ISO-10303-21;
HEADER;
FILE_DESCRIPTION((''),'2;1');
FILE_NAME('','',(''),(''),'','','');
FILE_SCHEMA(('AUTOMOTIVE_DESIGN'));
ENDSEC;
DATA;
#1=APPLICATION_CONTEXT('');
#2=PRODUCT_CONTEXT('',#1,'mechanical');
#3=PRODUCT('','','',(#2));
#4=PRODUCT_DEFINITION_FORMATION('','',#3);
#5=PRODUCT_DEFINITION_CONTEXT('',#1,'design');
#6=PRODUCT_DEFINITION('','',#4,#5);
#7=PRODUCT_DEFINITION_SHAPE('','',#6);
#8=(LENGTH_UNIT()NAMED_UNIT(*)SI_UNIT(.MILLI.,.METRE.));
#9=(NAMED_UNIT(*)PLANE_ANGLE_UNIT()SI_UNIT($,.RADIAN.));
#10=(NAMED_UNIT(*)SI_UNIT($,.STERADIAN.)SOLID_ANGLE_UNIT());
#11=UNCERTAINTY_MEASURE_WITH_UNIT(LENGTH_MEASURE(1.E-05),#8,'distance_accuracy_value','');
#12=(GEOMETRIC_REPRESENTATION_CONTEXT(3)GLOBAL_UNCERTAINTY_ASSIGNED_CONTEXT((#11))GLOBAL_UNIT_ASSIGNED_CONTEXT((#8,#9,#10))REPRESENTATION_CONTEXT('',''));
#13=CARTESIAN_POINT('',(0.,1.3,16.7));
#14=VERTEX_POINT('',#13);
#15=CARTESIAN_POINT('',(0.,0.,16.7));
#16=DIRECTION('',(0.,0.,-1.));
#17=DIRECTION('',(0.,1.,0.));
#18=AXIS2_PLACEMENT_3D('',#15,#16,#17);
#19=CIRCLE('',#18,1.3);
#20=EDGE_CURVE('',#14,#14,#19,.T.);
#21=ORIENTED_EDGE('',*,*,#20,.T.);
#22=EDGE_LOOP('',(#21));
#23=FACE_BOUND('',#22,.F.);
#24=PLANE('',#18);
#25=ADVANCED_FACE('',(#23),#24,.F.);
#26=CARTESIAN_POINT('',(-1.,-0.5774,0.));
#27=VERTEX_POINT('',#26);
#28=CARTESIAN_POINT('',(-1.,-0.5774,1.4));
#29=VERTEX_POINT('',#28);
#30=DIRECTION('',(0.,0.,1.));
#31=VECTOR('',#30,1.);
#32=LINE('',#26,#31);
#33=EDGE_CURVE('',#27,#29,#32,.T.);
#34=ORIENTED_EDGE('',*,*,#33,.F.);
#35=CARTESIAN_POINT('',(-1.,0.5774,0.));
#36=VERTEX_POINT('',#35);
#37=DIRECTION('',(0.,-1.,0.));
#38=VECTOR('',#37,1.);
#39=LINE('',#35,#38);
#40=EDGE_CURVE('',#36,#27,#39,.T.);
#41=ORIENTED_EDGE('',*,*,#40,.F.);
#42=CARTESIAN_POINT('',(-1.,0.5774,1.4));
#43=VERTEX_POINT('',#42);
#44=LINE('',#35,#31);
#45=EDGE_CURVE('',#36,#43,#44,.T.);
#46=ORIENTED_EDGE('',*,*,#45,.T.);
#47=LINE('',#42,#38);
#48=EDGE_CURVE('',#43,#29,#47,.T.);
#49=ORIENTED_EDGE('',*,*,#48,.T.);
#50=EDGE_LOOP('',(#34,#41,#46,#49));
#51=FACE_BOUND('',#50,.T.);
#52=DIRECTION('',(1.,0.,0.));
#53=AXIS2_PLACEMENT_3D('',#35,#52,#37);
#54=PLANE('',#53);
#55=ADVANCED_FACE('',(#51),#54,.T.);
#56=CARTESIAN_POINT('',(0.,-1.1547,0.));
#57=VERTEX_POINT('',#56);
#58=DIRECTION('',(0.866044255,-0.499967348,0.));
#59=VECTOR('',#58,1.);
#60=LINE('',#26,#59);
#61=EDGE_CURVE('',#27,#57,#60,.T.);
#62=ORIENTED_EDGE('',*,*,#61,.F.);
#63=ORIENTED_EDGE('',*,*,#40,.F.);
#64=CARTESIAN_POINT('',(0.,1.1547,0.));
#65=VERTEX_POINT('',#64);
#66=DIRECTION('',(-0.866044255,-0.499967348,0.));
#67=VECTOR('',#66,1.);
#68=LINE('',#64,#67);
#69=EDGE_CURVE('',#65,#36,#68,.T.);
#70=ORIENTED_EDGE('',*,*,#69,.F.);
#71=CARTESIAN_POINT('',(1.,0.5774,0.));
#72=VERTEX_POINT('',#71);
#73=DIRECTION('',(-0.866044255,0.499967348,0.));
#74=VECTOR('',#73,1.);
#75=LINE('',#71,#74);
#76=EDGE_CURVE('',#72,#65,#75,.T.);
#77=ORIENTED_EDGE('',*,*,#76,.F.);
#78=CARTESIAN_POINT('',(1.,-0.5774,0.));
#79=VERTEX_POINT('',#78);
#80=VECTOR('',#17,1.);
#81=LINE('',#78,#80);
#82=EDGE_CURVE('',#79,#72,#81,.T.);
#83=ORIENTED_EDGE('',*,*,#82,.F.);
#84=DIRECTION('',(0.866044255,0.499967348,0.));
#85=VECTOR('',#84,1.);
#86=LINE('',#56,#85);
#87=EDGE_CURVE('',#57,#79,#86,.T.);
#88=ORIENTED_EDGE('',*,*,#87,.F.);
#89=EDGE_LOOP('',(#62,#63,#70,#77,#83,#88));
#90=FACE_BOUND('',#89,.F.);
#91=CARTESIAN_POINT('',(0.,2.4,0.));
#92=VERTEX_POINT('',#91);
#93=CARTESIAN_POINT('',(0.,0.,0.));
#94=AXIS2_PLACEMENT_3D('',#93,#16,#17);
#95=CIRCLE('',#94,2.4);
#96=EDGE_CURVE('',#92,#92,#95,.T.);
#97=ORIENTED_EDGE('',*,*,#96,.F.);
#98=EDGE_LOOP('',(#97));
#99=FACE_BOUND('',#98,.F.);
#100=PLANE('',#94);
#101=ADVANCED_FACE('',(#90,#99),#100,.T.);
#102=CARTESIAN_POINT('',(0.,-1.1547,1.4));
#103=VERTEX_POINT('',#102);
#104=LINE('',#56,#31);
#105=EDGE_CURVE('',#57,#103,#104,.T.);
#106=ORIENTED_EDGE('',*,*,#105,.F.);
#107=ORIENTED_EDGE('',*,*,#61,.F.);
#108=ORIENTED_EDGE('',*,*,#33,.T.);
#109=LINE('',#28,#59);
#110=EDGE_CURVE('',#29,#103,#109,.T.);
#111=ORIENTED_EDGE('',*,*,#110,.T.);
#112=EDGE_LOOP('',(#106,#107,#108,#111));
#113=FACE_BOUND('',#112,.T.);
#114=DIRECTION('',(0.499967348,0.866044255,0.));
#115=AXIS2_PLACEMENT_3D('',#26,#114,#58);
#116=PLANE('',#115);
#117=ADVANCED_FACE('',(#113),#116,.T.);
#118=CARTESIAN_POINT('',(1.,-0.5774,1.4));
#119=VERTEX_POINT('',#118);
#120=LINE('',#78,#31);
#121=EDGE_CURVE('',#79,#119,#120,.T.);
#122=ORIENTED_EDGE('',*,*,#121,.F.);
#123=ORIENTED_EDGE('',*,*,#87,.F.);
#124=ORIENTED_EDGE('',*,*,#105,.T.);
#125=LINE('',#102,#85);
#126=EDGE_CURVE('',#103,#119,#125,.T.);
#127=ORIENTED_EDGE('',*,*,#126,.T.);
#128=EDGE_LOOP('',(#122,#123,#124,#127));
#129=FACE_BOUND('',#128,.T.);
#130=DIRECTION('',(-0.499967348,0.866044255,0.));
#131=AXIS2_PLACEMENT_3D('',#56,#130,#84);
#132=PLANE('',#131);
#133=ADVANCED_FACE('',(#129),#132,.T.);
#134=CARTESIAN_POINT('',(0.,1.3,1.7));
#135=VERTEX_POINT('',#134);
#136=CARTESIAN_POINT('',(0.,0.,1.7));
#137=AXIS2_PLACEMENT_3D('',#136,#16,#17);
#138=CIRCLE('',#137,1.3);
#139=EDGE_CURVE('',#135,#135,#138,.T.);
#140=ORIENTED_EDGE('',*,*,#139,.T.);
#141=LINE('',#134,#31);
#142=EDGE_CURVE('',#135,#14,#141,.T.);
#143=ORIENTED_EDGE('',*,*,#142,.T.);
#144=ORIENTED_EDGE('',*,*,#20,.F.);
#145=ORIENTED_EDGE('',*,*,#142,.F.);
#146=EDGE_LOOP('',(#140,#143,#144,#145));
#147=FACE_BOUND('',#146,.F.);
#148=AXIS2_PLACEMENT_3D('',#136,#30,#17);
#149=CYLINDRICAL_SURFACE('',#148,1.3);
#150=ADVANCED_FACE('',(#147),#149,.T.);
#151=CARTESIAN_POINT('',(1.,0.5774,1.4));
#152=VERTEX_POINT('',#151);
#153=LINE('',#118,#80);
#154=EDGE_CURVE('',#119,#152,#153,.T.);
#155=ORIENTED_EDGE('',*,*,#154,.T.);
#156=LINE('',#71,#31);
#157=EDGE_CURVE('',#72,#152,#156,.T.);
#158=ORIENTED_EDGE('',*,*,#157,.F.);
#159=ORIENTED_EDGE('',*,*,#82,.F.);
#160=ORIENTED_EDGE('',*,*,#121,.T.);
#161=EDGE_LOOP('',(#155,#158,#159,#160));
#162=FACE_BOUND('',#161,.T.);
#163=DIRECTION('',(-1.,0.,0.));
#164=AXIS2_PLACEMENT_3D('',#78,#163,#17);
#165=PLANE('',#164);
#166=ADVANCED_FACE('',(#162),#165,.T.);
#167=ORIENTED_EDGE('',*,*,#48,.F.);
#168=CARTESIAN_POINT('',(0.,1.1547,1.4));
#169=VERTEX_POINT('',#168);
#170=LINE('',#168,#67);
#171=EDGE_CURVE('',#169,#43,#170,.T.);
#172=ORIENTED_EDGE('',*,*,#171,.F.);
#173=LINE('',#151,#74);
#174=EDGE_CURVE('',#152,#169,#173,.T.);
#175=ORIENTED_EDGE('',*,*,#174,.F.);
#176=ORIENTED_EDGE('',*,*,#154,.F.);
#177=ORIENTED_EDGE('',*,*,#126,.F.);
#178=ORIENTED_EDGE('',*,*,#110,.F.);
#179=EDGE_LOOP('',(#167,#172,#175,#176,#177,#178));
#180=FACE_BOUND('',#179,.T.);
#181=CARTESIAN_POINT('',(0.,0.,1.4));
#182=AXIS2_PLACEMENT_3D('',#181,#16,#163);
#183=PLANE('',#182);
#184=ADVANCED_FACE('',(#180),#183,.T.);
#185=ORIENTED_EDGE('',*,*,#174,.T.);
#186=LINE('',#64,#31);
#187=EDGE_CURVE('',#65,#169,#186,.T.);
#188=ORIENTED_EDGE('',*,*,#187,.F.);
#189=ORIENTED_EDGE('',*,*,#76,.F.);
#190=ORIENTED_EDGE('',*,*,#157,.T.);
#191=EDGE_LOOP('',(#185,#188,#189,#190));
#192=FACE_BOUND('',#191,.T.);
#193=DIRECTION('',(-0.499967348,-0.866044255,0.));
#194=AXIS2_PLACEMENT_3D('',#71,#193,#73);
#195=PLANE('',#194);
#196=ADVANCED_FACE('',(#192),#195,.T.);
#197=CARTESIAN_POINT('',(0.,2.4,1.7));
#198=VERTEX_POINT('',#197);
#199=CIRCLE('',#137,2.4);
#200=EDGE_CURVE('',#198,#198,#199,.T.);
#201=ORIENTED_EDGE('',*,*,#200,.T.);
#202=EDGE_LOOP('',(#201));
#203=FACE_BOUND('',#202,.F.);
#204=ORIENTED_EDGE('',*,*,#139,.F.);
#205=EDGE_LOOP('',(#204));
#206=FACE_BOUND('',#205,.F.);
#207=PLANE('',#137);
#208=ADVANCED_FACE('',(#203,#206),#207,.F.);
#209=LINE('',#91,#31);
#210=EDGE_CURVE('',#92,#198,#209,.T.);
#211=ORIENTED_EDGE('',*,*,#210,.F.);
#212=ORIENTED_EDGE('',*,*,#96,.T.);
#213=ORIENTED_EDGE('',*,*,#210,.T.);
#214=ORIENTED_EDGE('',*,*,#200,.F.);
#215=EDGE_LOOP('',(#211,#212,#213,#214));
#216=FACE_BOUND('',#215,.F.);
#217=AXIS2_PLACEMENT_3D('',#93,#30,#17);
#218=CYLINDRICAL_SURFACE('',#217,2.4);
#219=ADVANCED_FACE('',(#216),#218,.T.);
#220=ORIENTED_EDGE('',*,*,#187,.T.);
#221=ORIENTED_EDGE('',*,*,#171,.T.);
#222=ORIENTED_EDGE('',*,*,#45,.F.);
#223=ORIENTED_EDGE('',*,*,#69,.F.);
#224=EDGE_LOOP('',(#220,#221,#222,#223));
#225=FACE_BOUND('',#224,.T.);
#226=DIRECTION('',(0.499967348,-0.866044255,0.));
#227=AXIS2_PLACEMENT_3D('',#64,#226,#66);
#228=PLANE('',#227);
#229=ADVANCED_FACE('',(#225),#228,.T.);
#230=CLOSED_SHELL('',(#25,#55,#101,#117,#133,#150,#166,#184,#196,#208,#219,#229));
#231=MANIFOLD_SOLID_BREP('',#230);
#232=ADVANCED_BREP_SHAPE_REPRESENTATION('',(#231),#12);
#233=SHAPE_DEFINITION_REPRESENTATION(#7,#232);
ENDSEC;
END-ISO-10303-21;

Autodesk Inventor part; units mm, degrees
ref_plane "YZ Plane" through (0, 0, 0) normal (1, 0, 0) x (0, 1, 0)
ref_plane "XZ Plane" through (0, 0, 0) normal (0, 1, 0) x (-1, 0, 0)
ref_plane "XY Plane" through (0, 0, 0) normal (0, 0, 1) x (1, 0, 0)
sketch "スケッチ1" plane through (0, 0, 0) normal (1, 0, 0) x (0, 1, 0)
  line L0 (0, 16.7) -> (0, 0)
  line L1 (0, 0) -> (2.4, 0)
  line L2 (2.4, 0) -> (2.4, 1.7)
  line L3 (2.4, 1.7) -> (1.3, 1.7)
  line L4 (1.3, 1.7) -> (1.3, 16.7)
  line L5 (1.3, 16.7) -> (0, 16.7)
  dimension "d2" = 1.7
  dimension "d10" = 15
  dimension "d11" = 2.6
  dimension "d12" = 4.8
revolve "回転1" add sketch "スケッチ1" angle 360 about axis through (0, 0, 16.7) along (0, 0, -1)
thread "ねじ1" size "M2.6x0.45" class "6g" standard "ANSI Metric M Profile" full length
sketch "スケッチ2" plane through (0, 0, 0) normal (0, 0, -1) x (-1, 0, 0)
  line L0 (0, 1.1547) -> (1, 0.5774)
  line L1 (1, 0.5774) -> (1, -0.5774)
  line L2 (1, -0.5774) -> (0, -1.1547)
  line L3 (0, -1.1547) -> (-1, -0.5774)
  line L4 (-1, -0.5774) -> (-1, 0.5774)
  line L5 (-1, 0.5774) -> (0, 1.1547)
  line L6 (0, 2.4) -> (0, -2.4) construction
  circle A0 centre (0, 0) radius 2.4 projected
  dimension "d7" = 2
extrude "押し出し1" cut sketch "スケッチ2" against normal blind 1.4 contours L0 L1 L2 L3 L4 L5
properties part number "LowHead_M2_6-15" material "チタン"
